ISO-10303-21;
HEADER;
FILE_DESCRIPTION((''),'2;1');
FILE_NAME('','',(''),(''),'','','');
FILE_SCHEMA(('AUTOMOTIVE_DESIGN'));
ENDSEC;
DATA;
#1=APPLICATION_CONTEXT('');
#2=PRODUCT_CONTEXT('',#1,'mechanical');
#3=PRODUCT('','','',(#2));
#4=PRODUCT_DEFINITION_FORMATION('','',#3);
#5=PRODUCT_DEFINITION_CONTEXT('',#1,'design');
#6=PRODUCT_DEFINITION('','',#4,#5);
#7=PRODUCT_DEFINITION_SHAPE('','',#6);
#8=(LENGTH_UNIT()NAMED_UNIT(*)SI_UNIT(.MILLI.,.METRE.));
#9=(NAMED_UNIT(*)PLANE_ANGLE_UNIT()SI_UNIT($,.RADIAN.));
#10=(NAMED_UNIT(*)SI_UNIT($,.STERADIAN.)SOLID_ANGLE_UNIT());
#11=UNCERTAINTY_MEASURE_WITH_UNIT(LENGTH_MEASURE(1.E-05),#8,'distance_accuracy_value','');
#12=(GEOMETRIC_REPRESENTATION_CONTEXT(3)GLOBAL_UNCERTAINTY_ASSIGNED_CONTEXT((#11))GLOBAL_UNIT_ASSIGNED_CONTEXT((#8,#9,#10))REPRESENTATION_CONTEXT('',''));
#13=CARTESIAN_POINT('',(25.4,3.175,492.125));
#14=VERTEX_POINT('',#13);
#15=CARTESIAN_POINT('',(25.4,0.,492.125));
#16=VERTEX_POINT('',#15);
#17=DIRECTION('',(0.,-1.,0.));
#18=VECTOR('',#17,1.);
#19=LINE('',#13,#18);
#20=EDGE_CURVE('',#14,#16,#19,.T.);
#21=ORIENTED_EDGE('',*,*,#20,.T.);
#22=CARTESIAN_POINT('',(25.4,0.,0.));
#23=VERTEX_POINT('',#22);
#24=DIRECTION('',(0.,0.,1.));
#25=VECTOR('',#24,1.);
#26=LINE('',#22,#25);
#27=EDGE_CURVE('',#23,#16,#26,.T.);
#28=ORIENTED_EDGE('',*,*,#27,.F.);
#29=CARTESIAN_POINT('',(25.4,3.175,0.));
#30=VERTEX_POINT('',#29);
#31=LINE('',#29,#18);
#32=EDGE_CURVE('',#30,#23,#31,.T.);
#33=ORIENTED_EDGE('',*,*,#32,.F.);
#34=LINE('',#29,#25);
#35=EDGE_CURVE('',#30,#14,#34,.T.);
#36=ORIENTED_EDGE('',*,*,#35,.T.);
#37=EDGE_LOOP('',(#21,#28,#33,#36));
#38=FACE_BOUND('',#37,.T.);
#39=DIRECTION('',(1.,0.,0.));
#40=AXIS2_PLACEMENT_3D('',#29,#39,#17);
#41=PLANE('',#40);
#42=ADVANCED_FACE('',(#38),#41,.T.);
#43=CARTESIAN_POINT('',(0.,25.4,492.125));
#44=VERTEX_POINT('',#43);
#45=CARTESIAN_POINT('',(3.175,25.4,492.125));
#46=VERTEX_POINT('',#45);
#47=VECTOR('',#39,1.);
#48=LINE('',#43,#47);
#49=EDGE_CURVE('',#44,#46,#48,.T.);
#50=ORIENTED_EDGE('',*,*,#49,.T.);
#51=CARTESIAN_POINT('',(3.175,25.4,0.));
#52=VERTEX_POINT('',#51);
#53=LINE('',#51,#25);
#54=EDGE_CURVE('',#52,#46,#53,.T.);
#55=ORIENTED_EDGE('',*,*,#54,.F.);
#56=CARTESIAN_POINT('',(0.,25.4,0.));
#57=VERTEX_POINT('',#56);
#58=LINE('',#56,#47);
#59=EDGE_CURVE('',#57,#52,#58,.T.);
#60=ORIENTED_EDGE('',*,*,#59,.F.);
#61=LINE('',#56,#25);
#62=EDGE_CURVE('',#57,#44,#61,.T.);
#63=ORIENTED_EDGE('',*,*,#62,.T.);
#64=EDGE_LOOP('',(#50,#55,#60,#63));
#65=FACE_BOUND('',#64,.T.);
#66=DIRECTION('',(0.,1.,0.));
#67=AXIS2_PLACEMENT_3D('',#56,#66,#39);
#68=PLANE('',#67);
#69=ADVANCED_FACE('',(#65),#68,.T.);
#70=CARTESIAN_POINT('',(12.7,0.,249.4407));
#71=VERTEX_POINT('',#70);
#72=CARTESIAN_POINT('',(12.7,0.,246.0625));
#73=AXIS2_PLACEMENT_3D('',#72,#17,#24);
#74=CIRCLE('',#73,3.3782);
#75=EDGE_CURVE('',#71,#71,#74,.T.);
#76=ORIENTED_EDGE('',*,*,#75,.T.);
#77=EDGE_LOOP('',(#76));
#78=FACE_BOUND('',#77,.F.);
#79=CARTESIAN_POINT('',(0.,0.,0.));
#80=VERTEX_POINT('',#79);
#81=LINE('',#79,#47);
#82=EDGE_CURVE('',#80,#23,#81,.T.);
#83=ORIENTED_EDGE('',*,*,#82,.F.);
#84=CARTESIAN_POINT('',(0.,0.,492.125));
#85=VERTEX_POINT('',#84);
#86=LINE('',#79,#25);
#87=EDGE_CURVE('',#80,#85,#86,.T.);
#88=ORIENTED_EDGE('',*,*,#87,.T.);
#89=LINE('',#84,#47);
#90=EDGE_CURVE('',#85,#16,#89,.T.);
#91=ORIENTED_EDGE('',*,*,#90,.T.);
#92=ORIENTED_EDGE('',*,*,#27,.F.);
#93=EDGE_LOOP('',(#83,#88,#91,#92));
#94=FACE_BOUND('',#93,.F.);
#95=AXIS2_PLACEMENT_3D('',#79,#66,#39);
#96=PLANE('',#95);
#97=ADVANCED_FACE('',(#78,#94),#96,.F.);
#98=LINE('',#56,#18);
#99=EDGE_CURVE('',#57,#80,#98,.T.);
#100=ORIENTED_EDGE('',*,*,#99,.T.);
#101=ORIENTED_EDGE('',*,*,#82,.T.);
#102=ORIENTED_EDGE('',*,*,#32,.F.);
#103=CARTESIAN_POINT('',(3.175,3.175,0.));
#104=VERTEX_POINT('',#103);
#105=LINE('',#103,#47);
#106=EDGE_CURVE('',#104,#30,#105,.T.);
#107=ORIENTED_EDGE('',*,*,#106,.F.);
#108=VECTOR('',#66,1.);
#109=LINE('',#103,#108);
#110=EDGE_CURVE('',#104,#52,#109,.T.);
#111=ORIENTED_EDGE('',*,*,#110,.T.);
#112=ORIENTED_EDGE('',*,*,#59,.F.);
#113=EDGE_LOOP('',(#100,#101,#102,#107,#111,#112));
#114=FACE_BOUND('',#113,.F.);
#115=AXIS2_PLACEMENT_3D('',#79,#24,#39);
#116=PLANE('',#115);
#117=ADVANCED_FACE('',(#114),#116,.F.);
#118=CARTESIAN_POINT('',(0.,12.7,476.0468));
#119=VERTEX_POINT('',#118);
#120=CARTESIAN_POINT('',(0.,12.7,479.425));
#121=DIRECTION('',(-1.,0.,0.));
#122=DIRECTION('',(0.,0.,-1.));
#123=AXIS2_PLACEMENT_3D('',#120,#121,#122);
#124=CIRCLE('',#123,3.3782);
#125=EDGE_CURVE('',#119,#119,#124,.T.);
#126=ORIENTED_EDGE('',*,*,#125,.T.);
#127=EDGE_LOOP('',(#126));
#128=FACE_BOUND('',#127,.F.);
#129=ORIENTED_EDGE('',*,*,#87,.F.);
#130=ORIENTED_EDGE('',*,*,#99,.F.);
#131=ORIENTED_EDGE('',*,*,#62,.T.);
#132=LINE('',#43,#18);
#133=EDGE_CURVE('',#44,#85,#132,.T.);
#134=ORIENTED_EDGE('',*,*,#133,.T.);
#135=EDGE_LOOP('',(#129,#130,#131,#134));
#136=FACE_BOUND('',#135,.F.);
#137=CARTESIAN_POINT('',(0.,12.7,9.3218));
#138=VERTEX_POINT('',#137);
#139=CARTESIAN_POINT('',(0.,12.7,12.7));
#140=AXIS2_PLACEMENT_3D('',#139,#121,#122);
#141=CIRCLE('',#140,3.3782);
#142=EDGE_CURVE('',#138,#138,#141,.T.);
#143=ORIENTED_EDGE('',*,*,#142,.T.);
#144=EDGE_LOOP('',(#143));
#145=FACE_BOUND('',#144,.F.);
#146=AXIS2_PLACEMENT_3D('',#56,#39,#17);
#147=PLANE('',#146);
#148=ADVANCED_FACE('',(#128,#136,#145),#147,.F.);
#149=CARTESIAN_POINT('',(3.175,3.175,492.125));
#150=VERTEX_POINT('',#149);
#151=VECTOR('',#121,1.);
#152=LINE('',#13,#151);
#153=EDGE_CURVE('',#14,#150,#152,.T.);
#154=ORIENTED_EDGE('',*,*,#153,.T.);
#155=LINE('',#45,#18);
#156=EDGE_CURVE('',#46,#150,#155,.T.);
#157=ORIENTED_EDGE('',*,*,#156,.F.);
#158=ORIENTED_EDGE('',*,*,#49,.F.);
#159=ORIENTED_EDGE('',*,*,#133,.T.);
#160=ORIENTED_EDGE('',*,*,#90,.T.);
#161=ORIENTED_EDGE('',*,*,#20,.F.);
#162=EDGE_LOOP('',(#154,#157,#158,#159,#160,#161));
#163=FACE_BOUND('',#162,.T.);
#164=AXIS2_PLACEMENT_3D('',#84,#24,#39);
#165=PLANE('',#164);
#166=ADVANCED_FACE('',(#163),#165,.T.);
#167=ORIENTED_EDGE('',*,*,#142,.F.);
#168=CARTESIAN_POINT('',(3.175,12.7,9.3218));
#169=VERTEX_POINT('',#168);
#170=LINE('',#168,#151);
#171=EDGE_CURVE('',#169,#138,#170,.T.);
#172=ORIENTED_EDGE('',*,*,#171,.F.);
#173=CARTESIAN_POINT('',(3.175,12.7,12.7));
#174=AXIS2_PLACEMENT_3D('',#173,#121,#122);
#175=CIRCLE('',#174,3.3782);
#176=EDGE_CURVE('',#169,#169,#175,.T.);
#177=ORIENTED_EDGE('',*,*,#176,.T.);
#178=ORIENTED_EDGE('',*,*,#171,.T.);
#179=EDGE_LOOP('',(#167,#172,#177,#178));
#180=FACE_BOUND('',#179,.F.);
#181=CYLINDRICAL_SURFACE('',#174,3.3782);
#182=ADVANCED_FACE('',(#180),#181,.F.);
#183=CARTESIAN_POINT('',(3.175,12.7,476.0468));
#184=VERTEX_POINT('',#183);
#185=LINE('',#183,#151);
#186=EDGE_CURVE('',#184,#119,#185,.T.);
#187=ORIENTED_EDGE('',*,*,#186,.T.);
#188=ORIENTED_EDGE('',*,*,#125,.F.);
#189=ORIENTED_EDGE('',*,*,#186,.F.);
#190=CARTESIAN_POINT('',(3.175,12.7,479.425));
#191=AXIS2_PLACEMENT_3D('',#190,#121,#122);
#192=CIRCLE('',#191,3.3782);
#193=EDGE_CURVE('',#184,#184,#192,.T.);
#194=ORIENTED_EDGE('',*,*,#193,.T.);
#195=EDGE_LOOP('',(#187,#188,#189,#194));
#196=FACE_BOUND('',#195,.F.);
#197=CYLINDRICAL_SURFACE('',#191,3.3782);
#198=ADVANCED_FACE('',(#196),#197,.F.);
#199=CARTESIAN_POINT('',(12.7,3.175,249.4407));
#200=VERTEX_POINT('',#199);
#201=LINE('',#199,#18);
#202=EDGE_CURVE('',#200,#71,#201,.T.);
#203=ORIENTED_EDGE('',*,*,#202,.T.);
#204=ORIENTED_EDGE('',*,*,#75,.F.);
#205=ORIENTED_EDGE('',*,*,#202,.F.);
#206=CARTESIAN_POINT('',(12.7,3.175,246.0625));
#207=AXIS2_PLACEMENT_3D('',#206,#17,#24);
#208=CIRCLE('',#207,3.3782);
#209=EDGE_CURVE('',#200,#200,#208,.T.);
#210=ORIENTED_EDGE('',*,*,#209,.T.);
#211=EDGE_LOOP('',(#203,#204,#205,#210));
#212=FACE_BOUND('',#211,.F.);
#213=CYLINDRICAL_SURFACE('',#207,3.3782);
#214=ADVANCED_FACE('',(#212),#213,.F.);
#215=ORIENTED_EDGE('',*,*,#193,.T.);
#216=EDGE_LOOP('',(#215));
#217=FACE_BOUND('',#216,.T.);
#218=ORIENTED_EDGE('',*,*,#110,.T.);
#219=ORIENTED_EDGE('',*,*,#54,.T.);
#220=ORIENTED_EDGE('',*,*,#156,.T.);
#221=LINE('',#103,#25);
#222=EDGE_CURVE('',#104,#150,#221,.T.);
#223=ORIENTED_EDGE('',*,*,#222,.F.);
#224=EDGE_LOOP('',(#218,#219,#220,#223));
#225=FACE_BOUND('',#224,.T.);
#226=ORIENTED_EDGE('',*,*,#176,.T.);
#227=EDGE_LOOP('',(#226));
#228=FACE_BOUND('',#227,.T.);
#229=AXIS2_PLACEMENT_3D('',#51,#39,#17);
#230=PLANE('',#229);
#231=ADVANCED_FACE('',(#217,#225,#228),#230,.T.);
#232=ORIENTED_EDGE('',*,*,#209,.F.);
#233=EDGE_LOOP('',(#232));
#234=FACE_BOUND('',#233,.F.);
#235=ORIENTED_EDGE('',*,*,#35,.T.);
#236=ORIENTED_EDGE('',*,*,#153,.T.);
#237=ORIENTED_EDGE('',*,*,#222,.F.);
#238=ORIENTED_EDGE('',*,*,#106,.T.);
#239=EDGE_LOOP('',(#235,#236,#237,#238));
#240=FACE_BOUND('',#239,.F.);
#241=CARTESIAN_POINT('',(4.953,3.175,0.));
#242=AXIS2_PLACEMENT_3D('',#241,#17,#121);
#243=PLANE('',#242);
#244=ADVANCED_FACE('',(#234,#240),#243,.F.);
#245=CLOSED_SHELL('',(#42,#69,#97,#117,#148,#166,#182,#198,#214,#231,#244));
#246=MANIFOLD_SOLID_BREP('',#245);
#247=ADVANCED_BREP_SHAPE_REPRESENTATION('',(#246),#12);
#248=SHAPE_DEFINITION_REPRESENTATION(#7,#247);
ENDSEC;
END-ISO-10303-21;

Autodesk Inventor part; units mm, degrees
ref_plane "YZ Plane" through (0, 0, 0) normal (1, 0, 0) x (0, 1, 0)
ref_plane "XZ Plane" through (0, 0, 0) normal (0, 1, 0) x (-1, 0, 0)
ref_plane "XY Plane" through (0, 0, 0) normal (0, 0, 1) x (1, 0, 0)
sketch "Sketch1" plane through (0, 0, 0) normal (0, 0, 1) x (1, 0, 0)
  line L0 (0, 25.4) -> (0, 0)
  line L1 (0, 0) -> (25.4, 0)
  line L2 (3.175, 25.4) -> (3.175, 4.953)
  line L3 (4.953, 3.175) -> (25.4, 3.175)
  line L4 (0, 25.4) -> (3.175, 25.4)
  line L5 (25.4, 3.175) -> (25.4, 0)
  line L6 (3.175, 4.953) -> (3.175, 3.175)
  line L7 (4.953, 3.175) -> (3.175, 3.175)
  dimension "d0" = 25.4
  dimension "d1" = 25.4
  dimension "d2" = 3.175
extrude "Extrusion1" add sketch "Sketch1" along normal blind 492.125
sketch "Sketch7" plane through (3.175, 3.175, 0) normal (1, 0, 0) x (0, 0, -1)
  circle A0 centre (-479.425, 9.525) radius 2.8124
  line L0 (0, 22.225) -> (-492.125, 22.225) projected
  line L1 (-492.125, 0) -> (-492.125, 22.225) projected
  circle A1 centre (-12.7, 9.525) radius 2.8124
  point P0 (0, -3.175)
  dimension "d43" = 12.7
  dimension "d44" = 12.7
  dimension "d47" = 466.725
hole "mount" at (3.175, 12.7, 479.425) at (3.175, 12.7, 12.7) direction (-1, 0, 0) diameter 6.7564 depth 25.4 tip angle 118 clearance for "Flat Head Machine Screw (82)" size "1/4" standard "Ansi Unified Screw Threads"
sketch "Sketch8" plane through (3.175, 3.175, 0) normal (0, 1, 0) x (1, 0, 0)
  line L0 (-3.175, -492.125) -> (22.225, -492.125) projected
  line L1 (9.525, -492.125) -> (9.525, 0) construction
  line L2 (22.225, 0) -> (22.225, -492.125) projected
  circle A0 centre (9.525, -246.0625) radius 4.5971
  point P0 (-3.175, 0)
  dimension "d59" = 12.7
hole "Hole5" at (12.7, 3.175, 246.0625) direction (0, -1, 0) diameter 6.7564 depth 25.4 tip angle 118 clearance for "Flat Head Machine Screw (82)" size "1/4" standard "Ansi Unified Screw Threads"
properties part number "angle_L104"
